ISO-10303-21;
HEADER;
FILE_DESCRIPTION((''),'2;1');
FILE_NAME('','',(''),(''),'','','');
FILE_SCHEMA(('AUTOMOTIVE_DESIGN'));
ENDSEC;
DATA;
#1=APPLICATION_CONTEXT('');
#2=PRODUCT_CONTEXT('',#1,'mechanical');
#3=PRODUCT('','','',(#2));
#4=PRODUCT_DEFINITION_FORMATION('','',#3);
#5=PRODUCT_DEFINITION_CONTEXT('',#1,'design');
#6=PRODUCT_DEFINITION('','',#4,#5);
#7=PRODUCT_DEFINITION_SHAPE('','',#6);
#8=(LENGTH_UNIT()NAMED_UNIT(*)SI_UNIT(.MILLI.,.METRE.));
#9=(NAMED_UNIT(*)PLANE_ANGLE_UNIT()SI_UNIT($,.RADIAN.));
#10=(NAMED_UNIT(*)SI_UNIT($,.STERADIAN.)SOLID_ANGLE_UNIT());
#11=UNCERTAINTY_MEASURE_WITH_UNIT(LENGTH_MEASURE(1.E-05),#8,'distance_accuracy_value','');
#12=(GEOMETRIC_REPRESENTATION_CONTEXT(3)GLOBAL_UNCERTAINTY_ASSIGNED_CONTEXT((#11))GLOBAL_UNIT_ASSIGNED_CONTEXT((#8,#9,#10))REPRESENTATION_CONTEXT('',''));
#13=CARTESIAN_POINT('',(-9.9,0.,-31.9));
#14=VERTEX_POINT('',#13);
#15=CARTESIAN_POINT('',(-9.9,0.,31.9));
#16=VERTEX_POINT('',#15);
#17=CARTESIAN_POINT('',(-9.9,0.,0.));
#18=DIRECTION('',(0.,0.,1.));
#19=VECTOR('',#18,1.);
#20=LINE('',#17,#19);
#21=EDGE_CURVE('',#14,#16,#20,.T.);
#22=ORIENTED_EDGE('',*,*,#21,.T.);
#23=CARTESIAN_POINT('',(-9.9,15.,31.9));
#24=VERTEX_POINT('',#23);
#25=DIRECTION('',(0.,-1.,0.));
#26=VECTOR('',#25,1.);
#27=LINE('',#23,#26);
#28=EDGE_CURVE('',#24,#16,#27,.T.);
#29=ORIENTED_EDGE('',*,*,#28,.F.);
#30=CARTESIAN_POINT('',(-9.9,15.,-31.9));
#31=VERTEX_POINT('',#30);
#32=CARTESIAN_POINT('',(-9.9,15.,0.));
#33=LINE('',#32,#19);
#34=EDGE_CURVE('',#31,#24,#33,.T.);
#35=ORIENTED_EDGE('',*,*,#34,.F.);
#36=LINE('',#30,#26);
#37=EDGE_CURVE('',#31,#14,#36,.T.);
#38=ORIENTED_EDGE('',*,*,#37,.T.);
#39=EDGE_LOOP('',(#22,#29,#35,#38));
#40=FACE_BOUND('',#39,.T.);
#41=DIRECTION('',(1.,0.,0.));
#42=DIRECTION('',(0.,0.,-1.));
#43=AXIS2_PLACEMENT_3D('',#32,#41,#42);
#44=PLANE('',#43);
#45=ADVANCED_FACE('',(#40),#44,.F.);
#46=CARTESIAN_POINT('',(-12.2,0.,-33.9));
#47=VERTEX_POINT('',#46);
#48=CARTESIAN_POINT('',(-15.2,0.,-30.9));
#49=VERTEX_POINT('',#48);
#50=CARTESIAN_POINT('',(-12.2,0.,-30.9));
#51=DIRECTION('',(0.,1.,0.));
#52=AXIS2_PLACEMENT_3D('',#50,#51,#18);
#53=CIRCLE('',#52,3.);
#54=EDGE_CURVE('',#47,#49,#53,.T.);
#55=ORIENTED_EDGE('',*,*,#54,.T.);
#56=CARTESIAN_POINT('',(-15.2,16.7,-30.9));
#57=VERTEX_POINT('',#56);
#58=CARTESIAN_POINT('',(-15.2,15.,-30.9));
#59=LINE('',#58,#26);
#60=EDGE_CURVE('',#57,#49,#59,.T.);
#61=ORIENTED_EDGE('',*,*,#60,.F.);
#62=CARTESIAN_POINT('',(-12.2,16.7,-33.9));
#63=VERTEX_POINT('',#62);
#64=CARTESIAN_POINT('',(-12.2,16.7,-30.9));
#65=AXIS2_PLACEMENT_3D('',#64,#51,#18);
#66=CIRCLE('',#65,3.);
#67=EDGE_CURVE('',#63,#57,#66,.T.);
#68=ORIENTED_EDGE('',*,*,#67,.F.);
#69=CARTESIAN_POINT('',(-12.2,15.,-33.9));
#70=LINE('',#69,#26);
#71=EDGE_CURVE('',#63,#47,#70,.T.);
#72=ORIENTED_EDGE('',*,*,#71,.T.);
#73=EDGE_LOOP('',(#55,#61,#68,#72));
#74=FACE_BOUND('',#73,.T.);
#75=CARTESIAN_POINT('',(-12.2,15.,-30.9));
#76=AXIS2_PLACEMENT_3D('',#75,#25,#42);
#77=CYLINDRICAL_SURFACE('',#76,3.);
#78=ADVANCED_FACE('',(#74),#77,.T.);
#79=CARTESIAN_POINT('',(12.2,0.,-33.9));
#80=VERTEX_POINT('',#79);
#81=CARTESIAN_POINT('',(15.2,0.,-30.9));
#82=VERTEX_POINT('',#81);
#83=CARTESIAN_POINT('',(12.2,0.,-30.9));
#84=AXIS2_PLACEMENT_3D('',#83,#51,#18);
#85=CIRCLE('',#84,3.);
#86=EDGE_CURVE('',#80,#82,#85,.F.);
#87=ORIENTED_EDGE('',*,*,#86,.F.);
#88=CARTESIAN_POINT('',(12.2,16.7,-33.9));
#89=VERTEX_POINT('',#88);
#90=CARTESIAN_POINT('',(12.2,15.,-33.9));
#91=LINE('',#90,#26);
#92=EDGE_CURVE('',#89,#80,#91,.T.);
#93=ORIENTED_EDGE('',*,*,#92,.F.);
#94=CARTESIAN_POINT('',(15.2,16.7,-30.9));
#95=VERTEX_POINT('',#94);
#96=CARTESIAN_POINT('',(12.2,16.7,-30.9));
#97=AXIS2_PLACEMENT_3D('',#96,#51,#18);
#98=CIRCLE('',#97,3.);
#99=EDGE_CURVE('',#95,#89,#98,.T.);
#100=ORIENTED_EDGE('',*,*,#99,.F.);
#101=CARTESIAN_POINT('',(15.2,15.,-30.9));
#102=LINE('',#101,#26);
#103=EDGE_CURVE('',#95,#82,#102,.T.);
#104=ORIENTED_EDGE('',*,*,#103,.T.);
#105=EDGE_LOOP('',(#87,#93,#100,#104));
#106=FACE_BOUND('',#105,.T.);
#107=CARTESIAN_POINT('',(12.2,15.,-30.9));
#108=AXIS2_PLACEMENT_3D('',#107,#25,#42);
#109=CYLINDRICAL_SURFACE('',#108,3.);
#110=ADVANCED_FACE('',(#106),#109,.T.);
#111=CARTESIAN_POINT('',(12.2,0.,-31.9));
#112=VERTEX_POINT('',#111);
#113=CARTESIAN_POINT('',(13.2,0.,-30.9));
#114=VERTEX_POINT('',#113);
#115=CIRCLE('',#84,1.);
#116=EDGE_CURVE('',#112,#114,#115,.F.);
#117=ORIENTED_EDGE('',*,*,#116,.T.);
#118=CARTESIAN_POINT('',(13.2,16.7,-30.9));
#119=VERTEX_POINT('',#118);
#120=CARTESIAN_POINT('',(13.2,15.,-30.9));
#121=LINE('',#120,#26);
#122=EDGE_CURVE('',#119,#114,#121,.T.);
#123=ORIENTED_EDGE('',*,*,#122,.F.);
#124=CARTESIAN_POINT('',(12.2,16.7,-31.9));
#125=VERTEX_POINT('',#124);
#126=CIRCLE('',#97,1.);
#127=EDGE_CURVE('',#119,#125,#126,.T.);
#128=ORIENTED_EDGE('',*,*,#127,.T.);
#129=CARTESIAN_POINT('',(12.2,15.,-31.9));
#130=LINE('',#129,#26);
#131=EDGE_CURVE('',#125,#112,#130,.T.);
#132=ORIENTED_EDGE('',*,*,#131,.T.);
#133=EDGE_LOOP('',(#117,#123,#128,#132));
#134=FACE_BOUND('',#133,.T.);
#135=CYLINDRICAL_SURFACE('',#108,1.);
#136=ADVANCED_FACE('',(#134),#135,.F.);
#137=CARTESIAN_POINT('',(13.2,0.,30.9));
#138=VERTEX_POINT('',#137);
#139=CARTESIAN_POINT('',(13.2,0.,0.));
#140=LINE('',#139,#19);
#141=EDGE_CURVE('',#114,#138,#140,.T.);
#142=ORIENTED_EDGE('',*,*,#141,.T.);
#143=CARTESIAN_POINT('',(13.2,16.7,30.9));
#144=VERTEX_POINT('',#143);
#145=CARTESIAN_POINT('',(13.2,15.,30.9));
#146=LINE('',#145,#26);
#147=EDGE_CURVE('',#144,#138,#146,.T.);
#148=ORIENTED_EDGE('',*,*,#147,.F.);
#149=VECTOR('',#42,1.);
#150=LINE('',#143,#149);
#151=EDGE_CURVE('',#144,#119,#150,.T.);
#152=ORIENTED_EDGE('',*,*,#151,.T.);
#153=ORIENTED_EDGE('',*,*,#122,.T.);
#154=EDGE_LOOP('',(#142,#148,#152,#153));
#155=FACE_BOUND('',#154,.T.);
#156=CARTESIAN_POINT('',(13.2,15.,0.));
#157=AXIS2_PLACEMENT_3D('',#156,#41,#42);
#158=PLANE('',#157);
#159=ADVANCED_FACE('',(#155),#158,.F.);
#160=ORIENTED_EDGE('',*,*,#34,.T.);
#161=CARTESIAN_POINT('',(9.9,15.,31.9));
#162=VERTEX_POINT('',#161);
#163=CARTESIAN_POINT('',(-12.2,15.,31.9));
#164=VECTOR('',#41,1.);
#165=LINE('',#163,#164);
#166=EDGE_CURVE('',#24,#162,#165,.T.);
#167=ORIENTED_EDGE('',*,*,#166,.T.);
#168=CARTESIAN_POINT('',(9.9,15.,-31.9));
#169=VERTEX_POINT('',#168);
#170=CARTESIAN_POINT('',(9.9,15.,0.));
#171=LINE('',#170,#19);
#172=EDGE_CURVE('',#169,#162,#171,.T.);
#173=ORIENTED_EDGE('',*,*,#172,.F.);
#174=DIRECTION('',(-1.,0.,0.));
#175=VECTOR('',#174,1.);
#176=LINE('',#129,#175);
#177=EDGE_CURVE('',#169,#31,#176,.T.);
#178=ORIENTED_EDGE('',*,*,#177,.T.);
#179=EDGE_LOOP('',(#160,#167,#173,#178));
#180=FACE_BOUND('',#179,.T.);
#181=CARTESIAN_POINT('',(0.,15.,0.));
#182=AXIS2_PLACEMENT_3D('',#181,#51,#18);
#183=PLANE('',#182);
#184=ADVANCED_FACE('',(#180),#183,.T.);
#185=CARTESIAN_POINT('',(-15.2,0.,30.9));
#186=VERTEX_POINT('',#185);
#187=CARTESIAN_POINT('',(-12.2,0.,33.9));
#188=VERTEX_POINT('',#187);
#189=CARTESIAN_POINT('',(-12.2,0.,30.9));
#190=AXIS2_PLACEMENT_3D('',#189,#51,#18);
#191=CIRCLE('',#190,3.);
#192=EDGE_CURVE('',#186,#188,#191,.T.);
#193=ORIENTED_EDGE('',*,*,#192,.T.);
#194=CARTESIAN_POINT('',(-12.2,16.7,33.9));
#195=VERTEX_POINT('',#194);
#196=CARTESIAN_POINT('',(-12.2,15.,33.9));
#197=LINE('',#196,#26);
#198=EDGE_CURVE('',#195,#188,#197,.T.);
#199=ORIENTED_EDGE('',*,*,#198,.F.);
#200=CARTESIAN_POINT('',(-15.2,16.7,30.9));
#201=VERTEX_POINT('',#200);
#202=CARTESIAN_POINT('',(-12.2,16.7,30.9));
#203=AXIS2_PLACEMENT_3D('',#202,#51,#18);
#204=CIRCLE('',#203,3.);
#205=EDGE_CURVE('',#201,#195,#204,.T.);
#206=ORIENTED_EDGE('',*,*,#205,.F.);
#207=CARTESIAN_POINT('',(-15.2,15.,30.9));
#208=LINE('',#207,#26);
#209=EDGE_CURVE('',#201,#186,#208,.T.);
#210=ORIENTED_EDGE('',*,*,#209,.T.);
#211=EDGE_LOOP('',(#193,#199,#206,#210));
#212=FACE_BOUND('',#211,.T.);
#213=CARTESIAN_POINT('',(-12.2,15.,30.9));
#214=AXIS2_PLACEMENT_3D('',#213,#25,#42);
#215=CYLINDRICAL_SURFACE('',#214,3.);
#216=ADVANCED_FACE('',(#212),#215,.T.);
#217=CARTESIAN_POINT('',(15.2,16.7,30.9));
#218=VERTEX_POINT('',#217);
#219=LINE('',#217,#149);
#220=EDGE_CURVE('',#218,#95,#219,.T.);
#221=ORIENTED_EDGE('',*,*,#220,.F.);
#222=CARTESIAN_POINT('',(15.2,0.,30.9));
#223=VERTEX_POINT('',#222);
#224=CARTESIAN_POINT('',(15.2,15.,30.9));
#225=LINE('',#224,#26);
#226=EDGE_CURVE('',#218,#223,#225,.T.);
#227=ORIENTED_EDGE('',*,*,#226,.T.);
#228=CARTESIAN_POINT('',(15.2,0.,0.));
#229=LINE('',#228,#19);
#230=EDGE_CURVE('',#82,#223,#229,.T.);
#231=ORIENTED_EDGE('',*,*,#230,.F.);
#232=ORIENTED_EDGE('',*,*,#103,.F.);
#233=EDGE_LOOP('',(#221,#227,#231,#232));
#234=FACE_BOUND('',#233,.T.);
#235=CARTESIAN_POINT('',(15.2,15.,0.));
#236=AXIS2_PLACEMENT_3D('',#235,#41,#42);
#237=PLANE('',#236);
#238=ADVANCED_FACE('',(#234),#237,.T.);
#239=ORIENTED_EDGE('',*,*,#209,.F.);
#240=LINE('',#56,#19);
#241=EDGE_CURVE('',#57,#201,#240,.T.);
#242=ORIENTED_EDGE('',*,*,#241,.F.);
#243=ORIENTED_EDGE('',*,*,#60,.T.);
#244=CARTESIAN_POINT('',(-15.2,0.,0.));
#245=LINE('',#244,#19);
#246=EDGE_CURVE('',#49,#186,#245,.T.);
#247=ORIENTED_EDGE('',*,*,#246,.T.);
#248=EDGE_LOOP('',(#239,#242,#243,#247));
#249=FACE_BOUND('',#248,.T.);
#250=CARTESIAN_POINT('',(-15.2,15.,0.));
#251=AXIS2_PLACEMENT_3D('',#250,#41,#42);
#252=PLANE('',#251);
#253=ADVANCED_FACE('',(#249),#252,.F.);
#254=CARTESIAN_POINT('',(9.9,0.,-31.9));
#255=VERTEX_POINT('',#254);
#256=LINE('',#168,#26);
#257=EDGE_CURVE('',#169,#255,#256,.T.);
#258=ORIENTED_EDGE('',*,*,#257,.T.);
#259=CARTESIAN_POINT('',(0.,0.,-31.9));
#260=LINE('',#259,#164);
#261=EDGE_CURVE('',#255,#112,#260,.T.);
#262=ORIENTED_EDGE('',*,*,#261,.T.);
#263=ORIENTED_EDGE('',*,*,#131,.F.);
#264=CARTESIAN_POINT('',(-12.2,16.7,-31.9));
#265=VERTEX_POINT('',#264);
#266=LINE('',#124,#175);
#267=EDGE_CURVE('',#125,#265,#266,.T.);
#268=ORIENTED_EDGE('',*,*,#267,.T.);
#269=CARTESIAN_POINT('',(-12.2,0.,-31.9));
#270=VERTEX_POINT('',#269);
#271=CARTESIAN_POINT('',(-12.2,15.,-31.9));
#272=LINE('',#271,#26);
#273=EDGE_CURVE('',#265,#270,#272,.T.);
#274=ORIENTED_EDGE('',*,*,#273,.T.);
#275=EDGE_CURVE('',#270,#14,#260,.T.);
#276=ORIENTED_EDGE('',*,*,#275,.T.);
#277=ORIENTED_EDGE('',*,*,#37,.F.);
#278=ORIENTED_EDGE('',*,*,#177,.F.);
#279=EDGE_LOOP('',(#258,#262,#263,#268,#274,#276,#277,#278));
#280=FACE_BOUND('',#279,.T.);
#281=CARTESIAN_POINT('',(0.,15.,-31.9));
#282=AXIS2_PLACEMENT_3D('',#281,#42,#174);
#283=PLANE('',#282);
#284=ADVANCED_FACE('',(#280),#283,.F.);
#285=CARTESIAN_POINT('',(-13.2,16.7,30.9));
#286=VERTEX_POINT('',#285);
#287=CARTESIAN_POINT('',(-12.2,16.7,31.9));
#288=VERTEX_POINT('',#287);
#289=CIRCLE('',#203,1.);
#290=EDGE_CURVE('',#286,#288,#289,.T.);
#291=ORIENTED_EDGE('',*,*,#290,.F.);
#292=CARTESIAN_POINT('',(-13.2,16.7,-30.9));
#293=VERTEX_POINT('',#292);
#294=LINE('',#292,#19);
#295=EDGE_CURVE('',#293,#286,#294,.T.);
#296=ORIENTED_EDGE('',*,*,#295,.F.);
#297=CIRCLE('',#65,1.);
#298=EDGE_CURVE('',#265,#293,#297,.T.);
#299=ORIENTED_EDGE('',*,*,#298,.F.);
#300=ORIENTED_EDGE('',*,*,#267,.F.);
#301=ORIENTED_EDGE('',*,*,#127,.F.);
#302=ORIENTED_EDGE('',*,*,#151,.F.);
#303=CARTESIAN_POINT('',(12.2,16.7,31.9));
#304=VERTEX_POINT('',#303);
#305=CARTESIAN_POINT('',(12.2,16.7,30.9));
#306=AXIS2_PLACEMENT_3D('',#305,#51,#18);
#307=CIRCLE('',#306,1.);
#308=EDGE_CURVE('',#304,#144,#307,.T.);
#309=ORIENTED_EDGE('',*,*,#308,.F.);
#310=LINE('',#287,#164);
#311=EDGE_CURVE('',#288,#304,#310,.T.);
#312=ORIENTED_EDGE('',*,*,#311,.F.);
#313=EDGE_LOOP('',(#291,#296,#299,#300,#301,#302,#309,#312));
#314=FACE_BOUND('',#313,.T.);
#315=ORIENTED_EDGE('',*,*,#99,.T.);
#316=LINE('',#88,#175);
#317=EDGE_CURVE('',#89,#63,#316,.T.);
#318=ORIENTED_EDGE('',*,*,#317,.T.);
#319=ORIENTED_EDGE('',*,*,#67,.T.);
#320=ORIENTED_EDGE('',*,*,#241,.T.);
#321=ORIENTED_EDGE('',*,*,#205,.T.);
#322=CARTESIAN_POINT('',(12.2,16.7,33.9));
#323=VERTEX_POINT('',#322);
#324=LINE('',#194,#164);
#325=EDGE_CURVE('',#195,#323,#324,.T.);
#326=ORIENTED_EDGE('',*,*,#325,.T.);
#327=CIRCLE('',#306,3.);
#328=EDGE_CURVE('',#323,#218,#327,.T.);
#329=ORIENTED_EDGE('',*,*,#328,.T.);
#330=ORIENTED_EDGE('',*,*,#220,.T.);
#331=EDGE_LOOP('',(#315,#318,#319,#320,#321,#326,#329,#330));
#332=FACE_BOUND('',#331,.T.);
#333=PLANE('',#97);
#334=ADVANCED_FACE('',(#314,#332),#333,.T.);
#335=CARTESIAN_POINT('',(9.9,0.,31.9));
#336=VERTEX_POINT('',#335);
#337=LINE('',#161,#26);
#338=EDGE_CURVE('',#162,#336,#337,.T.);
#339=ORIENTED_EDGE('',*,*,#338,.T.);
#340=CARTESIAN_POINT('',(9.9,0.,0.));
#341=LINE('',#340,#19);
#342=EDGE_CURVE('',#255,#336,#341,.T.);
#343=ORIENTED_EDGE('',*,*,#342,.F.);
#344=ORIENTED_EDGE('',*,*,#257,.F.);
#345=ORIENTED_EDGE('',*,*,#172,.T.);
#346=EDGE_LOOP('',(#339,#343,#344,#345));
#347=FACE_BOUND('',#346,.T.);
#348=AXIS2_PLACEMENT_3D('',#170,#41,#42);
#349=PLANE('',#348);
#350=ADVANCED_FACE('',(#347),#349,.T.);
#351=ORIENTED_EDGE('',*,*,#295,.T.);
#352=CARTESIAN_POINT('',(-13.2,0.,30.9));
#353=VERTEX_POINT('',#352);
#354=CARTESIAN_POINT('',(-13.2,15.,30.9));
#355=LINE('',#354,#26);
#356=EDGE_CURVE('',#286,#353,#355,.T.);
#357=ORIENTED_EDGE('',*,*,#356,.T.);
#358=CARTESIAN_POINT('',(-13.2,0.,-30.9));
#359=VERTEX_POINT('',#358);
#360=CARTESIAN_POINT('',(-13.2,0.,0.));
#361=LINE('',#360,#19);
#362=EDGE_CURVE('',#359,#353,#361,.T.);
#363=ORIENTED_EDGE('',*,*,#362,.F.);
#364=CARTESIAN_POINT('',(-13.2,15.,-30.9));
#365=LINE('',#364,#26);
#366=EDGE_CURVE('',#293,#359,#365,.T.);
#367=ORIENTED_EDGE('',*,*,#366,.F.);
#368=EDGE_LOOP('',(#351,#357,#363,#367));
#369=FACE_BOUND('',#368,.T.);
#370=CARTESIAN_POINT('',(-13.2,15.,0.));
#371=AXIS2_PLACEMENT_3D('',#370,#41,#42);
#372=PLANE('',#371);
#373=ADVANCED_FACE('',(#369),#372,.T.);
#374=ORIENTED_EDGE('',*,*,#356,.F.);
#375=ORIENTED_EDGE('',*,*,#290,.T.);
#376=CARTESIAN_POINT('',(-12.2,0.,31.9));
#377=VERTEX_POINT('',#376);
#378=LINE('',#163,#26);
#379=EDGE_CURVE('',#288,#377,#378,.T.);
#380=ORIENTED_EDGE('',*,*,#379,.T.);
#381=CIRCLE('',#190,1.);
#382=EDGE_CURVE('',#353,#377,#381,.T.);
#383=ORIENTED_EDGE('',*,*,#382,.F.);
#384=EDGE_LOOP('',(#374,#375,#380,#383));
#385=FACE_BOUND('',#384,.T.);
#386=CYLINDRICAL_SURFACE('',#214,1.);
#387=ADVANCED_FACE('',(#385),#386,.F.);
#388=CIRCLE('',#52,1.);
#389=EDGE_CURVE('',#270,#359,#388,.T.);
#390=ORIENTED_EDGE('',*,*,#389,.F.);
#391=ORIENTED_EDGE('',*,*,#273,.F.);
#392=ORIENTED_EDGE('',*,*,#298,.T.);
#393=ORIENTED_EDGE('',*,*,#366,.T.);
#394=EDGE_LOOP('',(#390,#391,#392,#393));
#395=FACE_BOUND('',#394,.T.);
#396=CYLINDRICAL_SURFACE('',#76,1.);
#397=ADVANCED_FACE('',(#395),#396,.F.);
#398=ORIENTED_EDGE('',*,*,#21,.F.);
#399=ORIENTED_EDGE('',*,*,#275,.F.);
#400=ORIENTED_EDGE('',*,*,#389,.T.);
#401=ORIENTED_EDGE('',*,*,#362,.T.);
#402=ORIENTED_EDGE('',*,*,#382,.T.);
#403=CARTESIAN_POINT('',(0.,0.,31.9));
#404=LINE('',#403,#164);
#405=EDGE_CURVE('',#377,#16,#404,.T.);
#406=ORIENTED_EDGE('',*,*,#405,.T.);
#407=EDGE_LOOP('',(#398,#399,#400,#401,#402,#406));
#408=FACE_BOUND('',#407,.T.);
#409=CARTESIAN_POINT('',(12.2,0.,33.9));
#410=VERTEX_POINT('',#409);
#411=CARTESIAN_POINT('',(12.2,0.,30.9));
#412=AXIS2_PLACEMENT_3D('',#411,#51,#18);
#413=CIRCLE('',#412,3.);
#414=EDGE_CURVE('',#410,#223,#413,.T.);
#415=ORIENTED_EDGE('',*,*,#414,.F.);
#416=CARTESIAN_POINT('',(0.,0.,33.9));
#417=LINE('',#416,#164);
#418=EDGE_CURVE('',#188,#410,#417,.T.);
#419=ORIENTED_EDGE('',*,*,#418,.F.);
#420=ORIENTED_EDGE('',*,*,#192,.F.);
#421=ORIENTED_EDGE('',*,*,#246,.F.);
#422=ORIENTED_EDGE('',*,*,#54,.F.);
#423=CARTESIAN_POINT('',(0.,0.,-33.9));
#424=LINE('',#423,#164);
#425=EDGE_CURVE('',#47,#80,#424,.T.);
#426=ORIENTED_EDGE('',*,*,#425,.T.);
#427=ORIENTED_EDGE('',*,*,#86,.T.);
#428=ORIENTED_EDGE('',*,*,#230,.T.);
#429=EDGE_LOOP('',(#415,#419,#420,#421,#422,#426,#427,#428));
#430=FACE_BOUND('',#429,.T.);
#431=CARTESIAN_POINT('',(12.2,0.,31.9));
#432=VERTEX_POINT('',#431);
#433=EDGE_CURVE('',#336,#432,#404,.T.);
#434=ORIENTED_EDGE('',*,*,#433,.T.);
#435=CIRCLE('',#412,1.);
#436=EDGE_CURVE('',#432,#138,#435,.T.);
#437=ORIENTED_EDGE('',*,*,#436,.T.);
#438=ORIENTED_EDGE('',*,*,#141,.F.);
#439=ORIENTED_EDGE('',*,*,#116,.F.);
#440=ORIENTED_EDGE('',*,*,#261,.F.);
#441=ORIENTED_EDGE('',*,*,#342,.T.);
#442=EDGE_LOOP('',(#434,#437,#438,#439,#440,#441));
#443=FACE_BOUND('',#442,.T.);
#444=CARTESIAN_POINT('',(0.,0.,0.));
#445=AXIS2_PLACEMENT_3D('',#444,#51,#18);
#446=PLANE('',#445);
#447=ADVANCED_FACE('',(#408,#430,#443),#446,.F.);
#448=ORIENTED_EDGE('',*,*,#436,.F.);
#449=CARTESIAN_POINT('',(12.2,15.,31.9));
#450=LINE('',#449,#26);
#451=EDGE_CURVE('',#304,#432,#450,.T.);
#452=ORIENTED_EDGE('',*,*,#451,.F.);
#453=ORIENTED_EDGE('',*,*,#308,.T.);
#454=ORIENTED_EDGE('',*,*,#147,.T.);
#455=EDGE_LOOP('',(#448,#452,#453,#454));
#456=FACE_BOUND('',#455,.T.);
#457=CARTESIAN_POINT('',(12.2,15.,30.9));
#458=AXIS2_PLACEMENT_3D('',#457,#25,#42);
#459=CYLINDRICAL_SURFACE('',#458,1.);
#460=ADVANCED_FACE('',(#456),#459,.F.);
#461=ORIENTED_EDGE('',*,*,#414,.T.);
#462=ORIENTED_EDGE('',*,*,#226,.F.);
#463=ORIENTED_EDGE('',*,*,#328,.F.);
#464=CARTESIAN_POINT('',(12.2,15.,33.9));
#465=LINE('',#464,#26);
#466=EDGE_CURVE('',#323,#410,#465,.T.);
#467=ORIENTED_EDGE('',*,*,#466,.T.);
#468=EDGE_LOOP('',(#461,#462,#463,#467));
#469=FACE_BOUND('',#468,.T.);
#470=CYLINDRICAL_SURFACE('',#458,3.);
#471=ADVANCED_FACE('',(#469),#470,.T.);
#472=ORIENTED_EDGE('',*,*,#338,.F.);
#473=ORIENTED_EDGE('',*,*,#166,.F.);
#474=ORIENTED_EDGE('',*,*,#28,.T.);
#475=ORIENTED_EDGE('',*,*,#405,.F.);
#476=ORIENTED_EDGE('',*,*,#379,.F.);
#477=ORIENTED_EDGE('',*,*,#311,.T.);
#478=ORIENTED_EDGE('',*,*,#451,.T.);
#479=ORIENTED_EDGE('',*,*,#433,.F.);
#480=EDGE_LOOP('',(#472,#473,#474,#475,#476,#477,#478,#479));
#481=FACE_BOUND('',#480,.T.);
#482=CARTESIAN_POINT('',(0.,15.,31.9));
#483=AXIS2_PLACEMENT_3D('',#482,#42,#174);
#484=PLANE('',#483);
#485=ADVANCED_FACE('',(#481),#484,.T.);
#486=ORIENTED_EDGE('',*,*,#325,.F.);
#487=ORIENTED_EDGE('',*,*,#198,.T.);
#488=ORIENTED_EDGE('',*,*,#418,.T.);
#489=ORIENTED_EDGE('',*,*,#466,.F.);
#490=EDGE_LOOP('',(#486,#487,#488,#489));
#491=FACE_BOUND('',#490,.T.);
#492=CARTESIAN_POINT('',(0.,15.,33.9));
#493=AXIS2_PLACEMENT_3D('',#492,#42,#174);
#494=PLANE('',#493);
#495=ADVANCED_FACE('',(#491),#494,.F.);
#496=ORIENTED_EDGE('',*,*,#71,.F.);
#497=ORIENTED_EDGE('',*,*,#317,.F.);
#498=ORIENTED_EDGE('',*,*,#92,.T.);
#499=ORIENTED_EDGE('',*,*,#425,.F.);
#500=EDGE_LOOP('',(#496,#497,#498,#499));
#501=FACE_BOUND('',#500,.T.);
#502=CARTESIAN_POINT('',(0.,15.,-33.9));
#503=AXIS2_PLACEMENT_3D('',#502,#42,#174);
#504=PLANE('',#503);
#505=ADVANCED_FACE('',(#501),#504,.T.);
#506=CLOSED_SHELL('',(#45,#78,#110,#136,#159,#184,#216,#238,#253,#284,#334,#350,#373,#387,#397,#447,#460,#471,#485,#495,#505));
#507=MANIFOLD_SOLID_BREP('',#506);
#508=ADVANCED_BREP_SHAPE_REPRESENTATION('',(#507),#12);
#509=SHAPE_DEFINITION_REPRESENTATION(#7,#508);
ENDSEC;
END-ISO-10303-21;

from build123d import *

# Parameters (mm, degrees)
BOSS_EXTRUDE1_DEPTH = 15
BOSS_EXTRUDE2_DEPTH = 1.7


with BuildPart() as part:
    # Sketch1 → Boss-Extrude1 (new body)
    with BuildSketch(Plane(origin=(0, 0, 0), x_dir=(1, 0, 0), z_dir=(0, 1, 0))):
        with BuildLine():
            ThreePointArc((-12.2, 33.9), (-14.321320344, 33.021320344), (-15.2, 30.9))
            Line((-15.2, 30.9), (-15.2, -30.9))
            ThreePointArc((-15.2, -30.9), (-14.321320344, -33.021320344), (-12.2, -33.9))
            Line((-12.2, -33.9), (12.2, -33.9))
            ThreePointArc((12.2, -33.9), (14.321320344, -33.021320344), (15.2, -30.9))
            Line((15.2, -30.9), (15.2, 30.9))
            ThreePointArc((15.2, 30.9), (14.321320344, 33.021320344), (12.2, 33.9))
            Line((12.2, 33.9), (-12.2, 33.9))
        make_face()
        with BuildLine():
            Line((-12.2, 31.9), (-9.9, 31.9))
            Line((-9.9, 31.9), (-9.9, -31.9))
            Line((-9.9, -31.9), (-12.2, -31.9))
            ThreePointArc((-12.2, -31.9), (-12.907106781, -31.607106781), (-13.2, -30.9))
            Line((-13.2, -30.9), (-13.2, 30.9))
            ThreePointArc((-13.2, 30.9), (-12.907106781, 31.607106781), (-12.2, 31.9))
        make_face(mode=Mode.SUBTRACT)
        with BuildLine():
            Line((12.2, -31.9), (9.9, -31.9))
            Line((9.9, -31.9), (9.9, 31.9))
            Line((9.9, 31.9), (12.2, 31.9))
            ThreePointArc((12.2, 31.9), (12.907106781, 31.607106781), (13.2, 30.9))
            Line((13.2, 30.9), (13.2, -30.9))
            ThreePointArc((13.2, -30.9), (12.907106781, -31.607106781), (12.2, -31.9))
        make_face(mode=Mode.SUBTRACT)
    extrude(amount=BOSS_EXTRUDE1_DEPTH)

    # Sketch2 → Boss-Extrude2 (add)
    with BuildSketch(Plane(origin=(0, 15, 0), x_dir=(1, 0, 0), z_dir=(0, 1, 0))):
        with BuildLine():
            Line((12.2, 33.9), (-12.2, 33.9))
            ThreePointArc((-12.2, 33.9), (-14.321320344, 33.021320344), (-15.2, 30.9))
            Line((-15.2, 30.9), (-15.2, -30.9))
            ThreePointArc((-15.2, -30.9), (-14.321320344, -33.021320344), (-12.2, -33.9))
            Line((-12.2, -33.9), (12.2, -33.9))
            ThreePointArc((12.2, -33.9), (14.321320344, -33.021320344), (15.2, -30.9))
            Line((15.2, -30.9), (15.2, 30.9))
            ThreePointArc((15.2, 30.9), (14.321320344, 33.021320344), (12.2, 33.9))
        make_face()
        with BuildLine():
            Line((12.2, 31.9), (-12.2, 31.9))
            ThreePointArc((-12.2, 31.9), (-12.907106781, 31.607106781), (-13.2, 30.9))
            Line((-13.2, 30.9), (-13.2, -30.9))
            ThreePointArc((-13.2, -30.9), (-12.907106781, -31.607106781), (-12.2, -31.9))
            Line((-12.2, -31.9), (12.2, -31.9))
            ThreePointArc((12.2, -31.9), (12.907106781, -31.607106781), (13.2, -30.9))
            Line((13.2, -30.9), (13.2, 30.9))
            ThreePointArc((13.2, 30.9), (12.907106781, 31.607106781), (12.2, 31.9))
        make_face(mode=Mode.SUBTRACT)
    extrude(amount=BOSS_EXTRUDE2_DEPTH)


solid = part.part
